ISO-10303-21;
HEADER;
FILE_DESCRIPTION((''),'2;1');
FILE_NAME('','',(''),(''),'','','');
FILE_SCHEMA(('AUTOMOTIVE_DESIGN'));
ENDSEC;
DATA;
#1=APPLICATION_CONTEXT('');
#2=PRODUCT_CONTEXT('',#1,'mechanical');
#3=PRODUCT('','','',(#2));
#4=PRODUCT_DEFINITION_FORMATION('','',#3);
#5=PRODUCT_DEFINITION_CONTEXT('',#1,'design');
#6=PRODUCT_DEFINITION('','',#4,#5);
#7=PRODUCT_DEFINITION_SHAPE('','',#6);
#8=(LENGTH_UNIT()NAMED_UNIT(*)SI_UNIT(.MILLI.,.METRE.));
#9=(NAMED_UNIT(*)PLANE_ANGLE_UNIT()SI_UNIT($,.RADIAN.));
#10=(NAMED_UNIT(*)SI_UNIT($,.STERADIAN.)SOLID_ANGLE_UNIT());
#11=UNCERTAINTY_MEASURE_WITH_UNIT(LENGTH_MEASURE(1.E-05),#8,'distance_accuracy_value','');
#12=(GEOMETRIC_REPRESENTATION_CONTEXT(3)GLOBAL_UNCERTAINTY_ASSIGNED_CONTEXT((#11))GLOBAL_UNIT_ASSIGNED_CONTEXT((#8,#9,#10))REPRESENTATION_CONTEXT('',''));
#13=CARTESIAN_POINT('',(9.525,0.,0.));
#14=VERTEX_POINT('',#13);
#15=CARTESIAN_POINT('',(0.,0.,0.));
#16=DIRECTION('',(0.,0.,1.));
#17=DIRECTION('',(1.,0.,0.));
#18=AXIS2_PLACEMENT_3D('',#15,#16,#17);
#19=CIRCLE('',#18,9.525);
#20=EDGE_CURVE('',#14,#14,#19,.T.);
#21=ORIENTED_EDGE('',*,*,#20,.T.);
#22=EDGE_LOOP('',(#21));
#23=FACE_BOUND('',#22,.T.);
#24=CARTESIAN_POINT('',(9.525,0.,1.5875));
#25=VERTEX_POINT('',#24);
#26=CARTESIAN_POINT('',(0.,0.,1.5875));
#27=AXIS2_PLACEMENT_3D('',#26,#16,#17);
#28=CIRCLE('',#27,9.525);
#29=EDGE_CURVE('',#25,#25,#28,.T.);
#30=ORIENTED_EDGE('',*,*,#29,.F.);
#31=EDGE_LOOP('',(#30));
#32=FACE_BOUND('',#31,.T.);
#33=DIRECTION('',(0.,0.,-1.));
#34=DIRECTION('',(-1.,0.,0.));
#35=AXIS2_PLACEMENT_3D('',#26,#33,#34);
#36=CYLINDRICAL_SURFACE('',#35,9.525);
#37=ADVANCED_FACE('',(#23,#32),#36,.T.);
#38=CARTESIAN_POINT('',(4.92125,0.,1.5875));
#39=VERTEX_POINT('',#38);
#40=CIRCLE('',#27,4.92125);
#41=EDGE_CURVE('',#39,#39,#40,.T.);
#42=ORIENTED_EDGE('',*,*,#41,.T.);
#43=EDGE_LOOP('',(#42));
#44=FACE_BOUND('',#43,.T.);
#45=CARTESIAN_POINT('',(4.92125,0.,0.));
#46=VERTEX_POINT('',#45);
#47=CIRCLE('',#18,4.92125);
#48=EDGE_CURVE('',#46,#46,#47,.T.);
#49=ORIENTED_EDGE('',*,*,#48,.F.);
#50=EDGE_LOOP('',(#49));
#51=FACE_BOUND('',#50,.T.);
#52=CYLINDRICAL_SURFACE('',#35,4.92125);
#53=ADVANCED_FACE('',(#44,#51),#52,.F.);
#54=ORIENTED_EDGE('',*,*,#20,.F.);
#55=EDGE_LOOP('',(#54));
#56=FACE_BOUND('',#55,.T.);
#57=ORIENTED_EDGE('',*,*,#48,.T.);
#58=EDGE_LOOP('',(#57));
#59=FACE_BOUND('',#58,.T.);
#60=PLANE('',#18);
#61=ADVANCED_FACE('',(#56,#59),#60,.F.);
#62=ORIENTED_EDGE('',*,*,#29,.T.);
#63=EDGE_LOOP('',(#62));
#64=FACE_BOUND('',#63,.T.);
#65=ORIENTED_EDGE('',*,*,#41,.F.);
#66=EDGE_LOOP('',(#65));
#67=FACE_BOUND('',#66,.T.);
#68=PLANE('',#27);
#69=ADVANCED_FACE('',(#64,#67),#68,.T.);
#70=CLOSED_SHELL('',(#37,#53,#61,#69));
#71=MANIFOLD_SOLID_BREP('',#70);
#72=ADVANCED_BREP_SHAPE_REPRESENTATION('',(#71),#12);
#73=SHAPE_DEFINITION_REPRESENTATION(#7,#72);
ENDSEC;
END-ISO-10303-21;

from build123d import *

# Parameters (mm, degrees)
SKETCH1_R      = 9.525
SKETCH1_R_2    = 4.92125
EXTRUDE1_DEPTH = 1.5875


with BuildPart() as part:
    # Sketch1 → Extrude1 (new body)
    with BuildSketch(Plane.XY):
        Circle(SKETCH1_R)
        Circle(SKETCH1_R_2, mode=Mode.SUBTRACT)
    extrude(amount=EXTRUDE1_DEPTH)


solid = part.part
